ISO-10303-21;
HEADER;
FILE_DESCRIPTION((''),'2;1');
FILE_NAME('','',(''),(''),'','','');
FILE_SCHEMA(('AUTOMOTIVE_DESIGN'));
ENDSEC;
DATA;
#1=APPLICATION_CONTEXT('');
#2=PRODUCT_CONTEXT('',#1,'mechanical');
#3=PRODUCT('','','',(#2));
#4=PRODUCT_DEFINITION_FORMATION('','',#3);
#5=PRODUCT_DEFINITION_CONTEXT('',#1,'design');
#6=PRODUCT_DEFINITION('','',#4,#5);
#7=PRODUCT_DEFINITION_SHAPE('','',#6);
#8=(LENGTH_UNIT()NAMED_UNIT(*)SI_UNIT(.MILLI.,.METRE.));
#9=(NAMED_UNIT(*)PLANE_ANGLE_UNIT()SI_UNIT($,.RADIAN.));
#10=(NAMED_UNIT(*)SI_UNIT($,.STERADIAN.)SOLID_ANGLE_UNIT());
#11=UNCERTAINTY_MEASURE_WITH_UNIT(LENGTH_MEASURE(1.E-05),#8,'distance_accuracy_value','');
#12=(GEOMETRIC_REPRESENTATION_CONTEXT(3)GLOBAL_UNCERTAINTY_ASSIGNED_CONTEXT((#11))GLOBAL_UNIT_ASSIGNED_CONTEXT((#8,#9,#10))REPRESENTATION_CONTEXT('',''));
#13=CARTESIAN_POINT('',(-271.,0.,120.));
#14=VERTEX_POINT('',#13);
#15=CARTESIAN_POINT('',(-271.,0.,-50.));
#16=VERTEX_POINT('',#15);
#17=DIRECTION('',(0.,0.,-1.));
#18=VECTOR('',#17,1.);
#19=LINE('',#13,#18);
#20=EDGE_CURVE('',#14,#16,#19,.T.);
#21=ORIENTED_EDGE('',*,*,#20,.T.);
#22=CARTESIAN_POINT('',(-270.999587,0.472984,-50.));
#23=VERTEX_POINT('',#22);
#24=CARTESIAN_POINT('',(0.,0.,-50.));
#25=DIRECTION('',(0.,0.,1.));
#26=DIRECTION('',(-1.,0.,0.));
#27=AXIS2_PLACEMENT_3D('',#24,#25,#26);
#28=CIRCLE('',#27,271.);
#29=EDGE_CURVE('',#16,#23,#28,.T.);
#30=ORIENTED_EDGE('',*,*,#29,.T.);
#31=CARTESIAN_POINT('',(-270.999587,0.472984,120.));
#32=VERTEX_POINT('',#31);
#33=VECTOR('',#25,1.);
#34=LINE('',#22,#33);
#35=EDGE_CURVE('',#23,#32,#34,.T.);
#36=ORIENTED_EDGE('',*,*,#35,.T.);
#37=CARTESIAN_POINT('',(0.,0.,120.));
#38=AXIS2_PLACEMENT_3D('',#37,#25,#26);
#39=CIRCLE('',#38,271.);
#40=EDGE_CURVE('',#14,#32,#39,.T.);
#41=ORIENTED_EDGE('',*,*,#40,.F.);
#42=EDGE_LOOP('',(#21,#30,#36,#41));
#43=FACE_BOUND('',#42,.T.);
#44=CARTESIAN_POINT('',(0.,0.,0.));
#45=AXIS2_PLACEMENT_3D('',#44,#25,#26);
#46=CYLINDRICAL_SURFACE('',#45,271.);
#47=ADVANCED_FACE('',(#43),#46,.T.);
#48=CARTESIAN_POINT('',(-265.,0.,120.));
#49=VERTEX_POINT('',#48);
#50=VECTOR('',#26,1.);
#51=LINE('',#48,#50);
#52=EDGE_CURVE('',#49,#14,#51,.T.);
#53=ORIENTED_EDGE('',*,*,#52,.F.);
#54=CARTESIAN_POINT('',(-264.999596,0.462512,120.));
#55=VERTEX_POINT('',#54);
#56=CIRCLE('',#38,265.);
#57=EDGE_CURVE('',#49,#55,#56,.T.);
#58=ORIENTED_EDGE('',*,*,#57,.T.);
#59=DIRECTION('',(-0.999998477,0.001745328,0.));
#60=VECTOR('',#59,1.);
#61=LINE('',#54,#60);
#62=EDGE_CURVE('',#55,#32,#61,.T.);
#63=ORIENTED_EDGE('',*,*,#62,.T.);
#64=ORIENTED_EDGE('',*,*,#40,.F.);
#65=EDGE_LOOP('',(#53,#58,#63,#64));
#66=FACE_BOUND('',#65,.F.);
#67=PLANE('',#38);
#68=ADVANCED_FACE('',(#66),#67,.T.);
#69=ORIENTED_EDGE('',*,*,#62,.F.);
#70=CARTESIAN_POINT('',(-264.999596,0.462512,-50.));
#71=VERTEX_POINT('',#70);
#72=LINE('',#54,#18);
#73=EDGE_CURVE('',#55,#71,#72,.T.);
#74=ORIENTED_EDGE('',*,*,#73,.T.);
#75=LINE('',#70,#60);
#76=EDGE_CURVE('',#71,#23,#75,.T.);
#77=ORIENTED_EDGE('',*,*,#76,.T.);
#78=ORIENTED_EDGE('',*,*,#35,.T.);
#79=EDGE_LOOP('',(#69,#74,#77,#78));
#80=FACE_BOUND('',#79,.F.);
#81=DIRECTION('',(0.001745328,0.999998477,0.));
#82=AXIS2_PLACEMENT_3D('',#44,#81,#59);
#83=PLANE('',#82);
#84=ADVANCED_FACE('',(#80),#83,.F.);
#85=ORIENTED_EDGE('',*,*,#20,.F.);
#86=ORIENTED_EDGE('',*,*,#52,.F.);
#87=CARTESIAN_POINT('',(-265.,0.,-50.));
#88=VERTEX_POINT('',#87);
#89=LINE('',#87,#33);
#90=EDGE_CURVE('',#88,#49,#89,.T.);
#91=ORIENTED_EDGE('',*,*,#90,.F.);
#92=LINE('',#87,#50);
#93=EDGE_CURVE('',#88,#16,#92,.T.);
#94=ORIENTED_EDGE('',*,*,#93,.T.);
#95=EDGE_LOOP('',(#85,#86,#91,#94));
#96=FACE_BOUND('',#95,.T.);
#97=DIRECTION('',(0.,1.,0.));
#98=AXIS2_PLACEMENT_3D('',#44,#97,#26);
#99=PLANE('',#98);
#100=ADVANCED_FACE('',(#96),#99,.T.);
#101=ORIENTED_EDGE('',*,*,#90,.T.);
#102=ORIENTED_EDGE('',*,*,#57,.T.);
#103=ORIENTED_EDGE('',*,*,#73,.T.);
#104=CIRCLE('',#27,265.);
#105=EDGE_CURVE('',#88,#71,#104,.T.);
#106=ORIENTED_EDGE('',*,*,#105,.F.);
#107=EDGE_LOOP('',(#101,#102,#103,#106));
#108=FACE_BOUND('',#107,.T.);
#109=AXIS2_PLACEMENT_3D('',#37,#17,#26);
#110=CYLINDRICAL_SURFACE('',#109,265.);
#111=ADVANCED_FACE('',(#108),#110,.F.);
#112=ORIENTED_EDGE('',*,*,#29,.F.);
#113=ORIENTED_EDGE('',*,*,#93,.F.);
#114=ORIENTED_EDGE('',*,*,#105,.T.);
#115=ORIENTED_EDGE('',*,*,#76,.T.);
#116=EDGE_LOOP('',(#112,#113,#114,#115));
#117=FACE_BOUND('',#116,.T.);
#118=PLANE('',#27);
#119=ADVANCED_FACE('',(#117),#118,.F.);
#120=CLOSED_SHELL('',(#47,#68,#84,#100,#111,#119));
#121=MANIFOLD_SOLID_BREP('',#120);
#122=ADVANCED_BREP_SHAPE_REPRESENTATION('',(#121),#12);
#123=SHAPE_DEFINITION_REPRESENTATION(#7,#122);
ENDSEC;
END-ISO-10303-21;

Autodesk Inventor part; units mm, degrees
ref_plane "YZ Plane" through (0, 0, 0) normal (1, 0, 0) x (0, 1, 0)
ref_plane "XZ Plane" through (0, 0, 0) normal (0, 1, 0) x (-1, 0, 0)
ref_plane "XY Plane" through (0, 0, 0) normal (0, 0, 1) x (1, 0, 0)
sketch "Sketch1" plane through (0, 0, 0) normal (0, 1, 0) x (-1, 0, 0)
  line L0 (265, 120) -> (265, 0)
  line L1 (265, 0) -> (271, 0)
  line L2 (0, 0) -> (0, 109.131)
  line L3 (265, 120) -> (271, 120)
  line L4 (271, 0) -> (271, 120)
  line L5 (271, 0) -> (265, 0)
  line L6 (265, 0) -> (265, -50)
  line L7 (265, -50) -> (271, -50)
  line L8 (271, -50) -> (271, 0)
  point P0 (268, 0)
  point P1 (271, 0)
  dimension "d3" = 6
  dimension "d4" = 530
  dimension "d5" = 120
  dimension "d7" = 6
  dimension "d8" = 50
revolve "Revolution1" add sketch "Sketch1" angle 359.9 about axis through (0, 0, 0) along (0, 0, 1)
sketch "Sketch2" plane through (0, 0, 0) normal (0, 1, 0) x (-1, 0, 0)
  circle A0 centre (0, -476) radius 476
  point P0 (0, 0)
  dimension "d9" = 952
extrude "Extrusion1" [suppressed]
equation "\"d4\" = Accsess_hatch_diameter"
equation "\"d5\" = Accsess_hatch_lenght"
equation "\"d7\" = d3"
equation "\"BendRadius\" = Thickness"
equation "\"BendReliefWidth\" = Thickness"
equation "\"BendReliefDepth\" = 0.5 * Thickness"
equation "\"CornerReliefSize\" = 4 * Thickness"
equation "\"MinimumRemnant\" = 2 * Thickness"
equation "\"TransitionRadius\" = BendRadius"
equation "\"JacobiRadiusSize\" = BendRadius"
equation "\"GapSize\" = Thickness"
equation "\"Accsess_hatch_diameter\" = 530"
equation "\"Accsess_hatch_lenght\" = 120"
equation "\"Thickness\" = 6"
properties part number "SLM 1603 accses hatch tube"
